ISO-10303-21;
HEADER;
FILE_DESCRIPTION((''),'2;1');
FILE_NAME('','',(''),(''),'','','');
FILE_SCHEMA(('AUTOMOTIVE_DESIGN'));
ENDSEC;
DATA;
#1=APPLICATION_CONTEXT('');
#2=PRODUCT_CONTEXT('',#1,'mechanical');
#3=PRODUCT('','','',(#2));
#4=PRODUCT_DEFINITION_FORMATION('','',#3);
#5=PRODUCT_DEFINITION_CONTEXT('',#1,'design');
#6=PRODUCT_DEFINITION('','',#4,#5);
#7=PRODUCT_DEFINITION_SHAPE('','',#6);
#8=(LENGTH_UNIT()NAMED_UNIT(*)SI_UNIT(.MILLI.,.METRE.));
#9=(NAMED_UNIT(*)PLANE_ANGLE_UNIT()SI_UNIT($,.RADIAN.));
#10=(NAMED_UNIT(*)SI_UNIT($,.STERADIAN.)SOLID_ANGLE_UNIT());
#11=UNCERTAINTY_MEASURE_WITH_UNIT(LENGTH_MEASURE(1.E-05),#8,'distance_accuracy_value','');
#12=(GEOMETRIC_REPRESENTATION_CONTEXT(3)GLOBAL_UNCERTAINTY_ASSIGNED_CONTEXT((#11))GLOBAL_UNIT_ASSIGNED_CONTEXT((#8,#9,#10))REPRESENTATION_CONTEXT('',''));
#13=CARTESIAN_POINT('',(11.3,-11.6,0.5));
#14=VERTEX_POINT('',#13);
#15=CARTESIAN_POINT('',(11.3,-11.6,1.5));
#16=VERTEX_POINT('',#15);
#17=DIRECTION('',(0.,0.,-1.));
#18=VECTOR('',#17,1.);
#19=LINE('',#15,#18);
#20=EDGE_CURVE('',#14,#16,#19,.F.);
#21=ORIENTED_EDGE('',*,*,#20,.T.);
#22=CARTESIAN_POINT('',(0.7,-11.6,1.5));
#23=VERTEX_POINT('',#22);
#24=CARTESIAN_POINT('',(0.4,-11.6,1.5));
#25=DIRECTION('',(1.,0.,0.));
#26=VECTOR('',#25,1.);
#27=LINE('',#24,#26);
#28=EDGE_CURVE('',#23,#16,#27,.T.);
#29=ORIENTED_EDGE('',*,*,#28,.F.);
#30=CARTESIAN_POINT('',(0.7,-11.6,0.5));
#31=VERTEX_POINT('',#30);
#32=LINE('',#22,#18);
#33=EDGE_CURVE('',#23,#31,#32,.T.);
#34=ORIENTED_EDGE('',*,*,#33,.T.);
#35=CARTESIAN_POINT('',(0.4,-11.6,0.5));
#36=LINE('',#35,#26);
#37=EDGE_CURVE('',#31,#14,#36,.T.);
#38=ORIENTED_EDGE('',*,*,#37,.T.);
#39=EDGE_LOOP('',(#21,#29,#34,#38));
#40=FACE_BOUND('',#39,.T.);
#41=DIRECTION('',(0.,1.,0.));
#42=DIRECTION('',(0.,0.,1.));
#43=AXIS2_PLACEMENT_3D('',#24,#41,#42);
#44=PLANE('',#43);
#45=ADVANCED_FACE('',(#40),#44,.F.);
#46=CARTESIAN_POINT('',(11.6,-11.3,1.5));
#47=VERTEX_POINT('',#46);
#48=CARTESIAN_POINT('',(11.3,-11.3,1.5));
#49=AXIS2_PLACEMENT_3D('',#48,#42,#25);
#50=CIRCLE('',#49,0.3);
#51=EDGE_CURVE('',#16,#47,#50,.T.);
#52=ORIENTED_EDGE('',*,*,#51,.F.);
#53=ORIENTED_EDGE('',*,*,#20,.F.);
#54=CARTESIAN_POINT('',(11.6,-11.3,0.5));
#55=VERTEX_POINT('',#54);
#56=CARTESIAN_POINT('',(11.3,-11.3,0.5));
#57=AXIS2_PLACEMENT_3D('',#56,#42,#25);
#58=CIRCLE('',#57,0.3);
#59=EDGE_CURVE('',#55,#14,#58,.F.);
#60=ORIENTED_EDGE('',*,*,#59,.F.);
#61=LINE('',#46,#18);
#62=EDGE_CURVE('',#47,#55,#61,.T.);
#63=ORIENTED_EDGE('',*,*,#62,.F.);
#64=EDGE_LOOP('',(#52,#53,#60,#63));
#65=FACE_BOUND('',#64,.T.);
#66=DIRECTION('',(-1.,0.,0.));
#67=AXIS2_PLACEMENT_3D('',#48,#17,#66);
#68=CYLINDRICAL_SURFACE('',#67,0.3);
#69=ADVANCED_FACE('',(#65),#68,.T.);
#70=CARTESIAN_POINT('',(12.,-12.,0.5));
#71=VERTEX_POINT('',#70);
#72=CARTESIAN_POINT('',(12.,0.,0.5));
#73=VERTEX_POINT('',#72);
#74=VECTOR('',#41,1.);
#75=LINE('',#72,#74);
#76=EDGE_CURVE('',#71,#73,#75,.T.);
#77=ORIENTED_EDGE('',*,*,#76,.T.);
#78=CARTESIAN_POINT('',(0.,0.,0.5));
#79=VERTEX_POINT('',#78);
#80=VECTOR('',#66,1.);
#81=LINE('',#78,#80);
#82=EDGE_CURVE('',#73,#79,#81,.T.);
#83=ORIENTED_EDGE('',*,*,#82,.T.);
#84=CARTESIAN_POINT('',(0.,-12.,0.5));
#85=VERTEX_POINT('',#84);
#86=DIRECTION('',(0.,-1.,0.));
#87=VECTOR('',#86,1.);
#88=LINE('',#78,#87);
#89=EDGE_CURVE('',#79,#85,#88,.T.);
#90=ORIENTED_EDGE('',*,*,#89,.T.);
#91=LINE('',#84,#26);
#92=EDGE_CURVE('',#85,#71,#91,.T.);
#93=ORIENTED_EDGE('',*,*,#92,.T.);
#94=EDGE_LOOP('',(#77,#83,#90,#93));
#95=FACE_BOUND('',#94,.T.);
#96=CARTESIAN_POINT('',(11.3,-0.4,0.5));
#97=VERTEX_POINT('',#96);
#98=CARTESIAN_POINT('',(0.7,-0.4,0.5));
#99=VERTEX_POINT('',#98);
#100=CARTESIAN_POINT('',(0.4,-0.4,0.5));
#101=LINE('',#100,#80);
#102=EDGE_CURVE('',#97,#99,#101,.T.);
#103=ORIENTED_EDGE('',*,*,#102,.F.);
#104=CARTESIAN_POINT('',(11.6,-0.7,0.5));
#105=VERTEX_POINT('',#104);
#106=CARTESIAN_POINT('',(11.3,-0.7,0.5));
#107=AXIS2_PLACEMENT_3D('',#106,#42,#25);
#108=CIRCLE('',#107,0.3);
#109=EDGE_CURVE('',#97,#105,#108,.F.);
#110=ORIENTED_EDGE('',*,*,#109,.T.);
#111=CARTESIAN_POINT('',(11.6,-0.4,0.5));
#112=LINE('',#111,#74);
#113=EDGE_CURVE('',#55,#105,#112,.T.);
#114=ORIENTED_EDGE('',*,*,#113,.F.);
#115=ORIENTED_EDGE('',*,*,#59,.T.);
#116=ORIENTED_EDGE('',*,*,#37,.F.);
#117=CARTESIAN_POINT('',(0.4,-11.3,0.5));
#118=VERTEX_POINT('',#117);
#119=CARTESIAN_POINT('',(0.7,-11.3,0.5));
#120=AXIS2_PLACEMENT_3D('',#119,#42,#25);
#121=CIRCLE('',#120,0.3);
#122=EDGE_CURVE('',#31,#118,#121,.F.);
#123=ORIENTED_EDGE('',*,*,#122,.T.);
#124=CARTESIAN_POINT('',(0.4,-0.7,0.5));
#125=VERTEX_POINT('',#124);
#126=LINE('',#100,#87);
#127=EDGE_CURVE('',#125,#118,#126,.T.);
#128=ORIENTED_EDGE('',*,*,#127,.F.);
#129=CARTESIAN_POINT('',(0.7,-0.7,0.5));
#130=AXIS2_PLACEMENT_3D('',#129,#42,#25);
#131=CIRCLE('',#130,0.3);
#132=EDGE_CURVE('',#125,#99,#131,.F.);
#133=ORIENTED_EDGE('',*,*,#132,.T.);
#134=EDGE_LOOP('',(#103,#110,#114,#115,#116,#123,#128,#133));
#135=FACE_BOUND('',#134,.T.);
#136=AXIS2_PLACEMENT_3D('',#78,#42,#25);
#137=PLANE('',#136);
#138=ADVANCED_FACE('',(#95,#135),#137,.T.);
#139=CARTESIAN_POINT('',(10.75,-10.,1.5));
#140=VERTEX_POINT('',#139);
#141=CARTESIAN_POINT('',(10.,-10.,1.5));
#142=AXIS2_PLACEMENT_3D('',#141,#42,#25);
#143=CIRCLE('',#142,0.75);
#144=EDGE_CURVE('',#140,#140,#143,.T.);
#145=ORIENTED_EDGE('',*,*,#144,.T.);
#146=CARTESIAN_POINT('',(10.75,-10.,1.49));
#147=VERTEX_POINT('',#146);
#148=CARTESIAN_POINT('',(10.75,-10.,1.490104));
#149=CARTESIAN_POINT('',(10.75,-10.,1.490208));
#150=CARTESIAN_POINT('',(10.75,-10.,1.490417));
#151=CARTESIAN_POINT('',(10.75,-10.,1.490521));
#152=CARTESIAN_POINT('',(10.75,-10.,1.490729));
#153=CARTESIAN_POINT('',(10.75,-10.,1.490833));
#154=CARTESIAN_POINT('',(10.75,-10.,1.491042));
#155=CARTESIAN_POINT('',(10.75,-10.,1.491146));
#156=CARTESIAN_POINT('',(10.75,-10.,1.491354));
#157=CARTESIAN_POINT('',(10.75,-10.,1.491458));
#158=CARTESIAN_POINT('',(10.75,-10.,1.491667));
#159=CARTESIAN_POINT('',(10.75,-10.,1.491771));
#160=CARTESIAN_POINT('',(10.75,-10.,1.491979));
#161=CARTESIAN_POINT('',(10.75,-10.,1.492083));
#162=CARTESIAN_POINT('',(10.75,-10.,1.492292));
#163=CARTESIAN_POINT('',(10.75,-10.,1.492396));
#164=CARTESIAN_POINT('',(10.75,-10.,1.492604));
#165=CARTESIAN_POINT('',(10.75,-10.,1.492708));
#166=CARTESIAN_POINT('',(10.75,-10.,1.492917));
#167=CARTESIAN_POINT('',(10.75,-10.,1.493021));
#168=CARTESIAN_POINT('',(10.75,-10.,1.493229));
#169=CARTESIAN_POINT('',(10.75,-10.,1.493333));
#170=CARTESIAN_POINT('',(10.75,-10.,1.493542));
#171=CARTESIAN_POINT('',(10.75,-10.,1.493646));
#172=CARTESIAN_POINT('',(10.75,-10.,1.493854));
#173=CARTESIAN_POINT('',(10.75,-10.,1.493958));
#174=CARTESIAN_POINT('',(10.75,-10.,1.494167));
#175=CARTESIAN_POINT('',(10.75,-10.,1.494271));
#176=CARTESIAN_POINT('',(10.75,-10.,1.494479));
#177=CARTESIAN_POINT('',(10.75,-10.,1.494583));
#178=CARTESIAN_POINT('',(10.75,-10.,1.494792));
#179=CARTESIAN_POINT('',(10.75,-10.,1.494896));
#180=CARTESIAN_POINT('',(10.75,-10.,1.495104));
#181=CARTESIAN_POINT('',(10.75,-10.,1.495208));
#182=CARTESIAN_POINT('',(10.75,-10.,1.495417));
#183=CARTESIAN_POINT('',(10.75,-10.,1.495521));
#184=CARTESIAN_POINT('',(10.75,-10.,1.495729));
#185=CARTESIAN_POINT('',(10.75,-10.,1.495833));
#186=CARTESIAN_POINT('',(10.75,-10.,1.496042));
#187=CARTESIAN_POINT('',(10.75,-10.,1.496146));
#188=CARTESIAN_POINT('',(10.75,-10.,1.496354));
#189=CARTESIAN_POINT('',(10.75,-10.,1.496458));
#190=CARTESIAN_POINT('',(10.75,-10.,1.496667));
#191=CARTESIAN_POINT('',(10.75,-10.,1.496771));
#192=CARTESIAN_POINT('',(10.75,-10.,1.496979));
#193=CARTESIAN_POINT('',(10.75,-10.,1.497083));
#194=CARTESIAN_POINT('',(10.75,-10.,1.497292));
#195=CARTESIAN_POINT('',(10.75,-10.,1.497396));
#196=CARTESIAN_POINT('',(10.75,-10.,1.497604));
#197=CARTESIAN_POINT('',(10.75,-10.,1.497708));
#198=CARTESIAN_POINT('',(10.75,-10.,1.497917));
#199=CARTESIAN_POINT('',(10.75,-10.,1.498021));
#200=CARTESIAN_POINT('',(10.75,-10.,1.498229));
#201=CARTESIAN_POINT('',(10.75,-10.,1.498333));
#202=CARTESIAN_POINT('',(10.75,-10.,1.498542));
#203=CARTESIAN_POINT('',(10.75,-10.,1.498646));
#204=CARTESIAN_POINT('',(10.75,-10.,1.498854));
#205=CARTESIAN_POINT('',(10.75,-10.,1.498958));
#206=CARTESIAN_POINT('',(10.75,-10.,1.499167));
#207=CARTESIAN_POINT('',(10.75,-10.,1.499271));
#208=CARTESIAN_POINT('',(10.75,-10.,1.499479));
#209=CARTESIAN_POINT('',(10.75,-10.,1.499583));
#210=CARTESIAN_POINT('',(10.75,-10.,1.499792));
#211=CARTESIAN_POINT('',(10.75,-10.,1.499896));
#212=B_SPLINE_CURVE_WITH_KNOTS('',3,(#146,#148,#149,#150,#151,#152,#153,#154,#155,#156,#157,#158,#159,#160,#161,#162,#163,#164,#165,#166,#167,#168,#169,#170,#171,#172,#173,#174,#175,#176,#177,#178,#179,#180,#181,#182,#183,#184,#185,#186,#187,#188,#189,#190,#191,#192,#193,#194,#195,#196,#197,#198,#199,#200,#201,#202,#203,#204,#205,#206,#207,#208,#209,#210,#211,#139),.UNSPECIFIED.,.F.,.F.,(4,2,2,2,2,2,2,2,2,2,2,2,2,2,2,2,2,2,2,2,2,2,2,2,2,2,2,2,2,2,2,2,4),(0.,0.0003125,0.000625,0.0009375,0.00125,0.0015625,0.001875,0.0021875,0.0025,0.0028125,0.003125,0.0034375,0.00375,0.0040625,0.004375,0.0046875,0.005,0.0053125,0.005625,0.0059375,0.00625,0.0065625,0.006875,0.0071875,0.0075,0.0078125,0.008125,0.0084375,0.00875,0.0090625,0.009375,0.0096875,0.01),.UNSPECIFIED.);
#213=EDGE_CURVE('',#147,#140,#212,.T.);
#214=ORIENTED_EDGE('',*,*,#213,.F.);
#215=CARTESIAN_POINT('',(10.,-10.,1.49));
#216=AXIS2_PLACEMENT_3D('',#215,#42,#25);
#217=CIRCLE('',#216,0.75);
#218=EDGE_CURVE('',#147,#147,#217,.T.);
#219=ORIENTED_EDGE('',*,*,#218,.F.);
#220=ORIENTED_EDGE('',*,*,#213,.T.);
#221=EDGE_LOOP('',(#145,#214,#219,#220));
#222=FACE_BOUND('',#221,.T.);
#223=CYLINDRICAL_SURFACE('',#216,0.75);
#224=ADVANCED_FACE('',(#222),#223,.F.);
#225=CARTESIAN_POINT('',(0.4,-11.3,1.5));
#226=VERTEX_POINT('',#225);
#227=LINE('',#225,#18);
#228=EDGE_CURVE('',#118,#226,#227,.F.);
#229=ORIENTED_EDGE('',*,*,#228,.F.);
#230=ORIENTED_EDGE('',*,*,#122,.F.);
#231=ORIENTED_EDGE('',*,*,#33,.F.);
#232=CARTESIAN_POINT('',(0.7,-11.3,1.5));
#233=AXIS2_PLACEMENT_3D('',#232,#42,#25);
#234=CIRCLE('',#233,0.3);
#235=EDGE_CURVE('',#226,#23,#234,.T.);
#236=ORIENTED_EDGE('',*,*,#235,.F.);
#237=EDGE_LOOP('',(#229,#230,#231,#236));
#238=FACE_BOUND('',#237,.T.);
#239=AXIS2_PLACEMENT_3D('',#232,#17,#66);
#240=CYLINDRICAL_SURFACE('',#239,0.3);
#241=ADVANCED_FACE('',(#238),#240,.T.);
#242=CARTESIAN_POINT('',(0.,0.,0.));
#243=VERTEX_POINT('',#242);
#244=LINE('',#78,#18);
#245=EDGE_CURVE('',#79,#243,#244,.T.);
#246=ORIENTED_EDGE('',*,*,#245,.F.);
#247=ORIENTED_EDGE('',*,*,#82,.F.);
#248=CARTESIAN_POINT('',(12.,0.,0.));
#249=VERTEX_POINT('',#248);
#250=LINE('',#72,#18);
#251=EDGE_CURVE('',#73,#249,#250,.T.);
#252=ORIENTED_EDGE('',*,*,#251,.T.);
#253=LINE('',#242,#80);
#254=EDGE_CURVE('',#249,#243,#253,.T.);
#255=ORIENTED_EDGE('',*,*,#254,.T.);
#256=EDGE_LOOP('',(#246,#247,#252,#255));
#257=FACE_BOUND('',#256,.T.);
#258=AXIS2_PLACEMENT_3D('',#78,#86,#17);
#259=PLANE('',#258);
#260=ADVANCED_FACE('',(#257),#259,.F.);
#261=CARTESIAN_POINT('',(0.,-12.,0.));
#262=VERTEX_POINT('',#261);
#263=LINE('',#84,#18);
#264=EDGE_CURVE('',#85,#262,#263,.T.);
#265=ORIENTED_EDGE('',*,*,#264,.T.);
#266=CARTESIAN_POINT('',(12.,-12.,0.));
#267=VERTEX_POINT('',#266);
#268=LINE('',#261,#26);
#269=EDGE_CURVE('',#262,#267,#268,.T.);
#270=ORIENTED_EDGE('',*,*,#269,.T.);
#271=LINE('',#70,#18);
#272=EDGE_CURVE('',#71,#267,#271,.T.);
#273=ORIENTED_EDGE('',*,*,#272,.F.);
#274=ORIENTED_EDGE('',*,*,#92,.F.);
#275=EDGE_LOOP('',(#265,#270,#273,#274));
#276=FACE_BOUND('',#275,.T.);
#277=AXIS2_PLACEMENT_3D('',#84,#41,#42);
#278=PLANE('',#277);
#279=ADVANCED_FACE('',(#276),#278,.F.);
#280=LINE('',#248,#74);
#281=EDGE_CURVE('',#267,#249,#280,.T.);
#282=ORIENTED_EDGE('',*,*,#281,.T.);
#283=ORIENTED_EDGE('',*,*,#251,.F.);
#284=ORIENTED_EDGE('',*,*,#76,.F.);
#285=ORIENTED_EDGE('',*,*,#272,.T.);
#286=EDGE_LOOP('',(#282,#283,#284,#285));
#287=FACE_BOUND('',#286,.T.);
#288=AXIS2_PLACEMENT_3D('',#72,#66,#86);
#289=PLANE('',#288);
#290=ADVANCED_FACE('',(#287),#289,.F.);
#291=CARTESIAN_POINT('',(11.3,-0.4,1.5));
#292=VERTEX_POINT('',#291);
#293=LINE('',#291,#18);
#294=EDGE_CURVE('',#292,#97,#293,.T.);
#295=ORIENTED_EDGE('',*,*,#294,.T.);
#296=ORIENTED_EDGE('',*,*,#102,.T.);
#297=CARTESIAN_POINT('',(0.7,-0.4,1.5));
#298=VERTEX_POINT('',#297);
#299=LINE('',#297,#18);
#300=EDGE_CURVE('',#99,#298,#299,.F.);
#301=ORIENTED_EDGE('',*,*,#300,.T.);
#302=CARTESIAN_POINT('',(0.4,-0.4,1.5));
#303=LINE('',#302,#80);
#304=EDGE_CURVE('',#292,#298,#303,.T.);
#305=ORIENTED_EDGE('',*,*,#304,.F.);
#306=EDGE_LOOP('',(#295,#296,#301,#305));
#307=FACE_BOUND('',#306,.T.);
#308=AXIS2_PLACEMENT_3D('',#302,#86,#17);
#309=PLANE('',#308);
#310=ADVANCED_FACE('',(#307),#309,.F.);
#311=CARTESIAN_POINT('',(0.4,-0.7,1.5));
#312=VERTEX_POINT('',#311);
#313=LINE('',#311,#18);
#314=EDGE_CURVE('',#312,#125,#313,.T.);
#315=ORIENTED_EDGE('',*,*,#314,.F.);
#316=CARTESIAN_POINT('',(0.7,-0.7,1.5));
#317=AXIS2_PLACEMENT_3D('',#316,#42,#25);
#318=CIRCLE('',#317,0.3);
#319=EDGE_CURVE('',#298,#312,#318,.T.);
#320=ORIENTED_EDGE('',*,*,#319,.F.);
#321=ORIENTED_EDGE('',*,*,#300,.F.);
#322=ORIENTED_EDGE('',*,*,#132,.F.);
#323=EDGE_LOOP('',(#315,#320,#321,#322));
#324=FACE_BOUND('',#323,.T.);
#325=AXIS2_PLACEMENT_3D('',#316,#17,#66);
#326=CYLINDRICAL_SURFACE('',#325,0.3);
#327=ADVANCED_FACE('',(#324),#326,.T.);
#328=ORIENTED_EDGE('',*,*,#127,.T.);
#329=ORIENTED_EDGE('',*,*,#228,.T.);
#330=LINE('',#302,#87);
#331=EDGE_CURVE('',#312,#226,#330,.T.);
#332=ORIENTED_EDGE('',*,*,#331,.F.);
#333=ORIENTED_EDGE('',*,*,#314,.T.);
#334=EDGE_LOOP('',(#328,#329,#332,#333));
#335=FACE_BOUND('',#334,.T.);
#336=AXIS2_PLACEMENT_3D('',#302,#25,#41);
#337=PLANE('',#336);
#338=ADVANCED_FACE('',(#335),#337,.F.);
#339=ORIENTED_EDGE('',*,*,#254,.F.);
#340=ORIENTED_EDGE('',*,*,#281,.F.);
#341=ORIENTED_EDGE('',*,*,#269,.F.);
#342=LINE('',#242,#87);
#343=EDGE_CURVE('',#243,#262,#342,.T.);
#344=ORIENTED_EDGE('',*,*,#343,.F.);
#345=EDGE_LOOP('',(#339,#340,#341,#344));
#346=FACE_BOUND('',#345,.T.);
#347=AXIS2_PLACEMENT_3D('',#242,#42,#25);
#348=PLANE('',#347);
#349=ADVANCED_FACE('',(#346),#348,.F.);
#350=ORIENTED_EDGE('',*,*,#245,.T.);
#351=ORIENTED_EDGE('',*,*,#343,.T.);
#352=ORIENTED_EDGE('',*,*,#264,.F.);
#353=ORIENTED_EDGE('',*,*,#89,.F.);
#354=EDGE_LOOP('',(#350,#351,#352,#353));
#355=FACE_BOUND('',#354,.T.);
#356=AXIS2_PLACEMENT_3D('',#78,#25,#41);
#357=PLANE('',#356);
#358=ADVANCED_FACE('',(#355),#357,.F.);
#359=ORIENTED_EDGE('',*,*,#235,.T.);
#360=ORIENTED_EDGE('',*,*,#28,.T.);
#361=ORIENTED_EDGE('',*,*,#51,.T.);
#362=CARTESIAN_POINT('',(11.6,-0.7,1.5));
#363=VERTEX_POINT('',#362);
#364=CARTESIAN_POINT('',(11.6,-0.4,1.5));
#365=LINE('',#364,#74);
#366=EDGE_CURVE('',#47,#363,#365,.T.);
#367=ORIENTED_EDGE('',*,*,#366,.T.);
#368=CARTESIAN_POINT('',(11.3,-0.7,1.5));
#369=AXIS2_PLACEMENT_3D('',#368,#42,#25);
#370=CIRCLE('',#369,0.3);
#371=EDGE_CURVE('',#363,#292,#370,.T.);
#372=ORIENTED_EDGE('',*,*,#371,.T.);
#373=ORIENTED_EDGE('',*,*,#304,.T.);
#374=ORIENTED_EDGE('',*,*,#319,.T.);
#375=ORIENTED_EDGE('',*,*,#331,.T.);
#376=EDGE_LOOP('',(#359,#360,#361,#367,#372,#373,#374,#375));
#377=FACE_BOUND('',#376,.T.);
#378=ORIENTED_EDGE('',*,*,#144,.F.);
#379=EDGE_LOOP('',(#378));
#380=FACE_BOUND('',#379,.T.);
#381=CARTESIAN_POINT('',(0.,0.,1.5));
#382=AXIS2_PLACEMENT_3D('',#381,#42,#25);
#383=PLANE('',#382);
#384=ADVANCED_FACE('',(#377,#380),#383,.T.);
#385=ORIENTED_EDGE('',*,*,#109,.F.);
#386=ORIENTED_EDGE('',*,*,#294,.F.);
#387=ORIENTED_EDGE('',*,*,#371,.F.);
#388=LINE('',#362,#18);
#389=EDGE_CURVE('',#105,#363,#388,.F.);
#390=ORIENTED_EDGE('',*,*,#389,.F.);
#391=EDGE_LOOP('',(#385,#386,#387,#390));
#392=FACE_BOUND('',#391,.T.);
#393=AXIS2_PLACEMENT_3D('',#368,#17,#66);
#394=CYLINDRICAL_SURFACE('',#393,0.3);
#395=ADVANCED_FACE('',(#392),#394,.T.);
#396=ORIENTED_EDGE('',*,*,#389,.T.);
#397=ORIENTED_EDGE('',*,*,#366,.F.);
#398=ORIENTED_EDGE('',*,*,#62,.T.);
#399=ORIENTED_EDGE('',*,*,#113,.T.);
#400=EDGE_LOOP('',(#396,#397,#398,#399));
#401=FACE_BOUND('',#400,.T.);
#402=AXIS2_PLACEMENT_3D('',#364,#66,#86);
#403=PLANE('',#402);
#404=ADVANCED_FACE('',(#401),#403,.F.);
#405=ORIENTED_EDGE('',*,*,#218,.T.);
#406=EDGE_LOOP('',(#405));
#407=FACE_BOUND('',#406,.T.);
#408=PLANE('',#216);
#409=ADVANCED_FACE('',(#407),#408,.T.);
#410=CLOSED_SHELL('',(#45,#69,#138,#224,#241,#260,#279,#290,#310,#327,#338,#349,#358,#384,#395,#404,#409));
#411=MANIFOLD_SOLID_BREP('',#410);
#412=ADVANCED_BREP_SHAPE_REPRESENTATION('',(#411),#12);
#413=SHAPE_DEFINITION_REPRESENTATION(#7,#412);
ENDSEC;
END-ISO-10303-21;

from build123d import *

# Parameters (mm, degrees)
ESQUISSE1_W             = 12
ESQUISSE1_H             = 12
BOSS_EXTRU_1_DEPTH      = 0.5
ESQUISSE2_W             = 11.2
ESQUISSE2_H             = 11.2
BOSS_EXTRU_2_DEPTH      = 1
CONG_1_R                = 0.3
ESQUISSE3_R             = 0.75
ENL_V_MAT_EXTRU_1_DEPTH = 0.01


with BuildPart() as part:
    # Esquisse1 → Boss.-Extru.1 (new body)
    with BuildSketch(Plane.XY):
        with Locations((6, -6)):
            Rectangle(ESQUISSE1_W, ESQUISSE1_H)
    extrude(amount=BOSS_EXTRU_1_DEPTH)

    # Esquisse2 → Boss.-Extru.2 (add)
    with BuildSketch(Plane.XY.offset(0.5)):
        with Locations((6, -6)):
            Rectangle(ESQUISSE2_W, ESQUISSE2_H)
    extrude(amount=BOSS_EXTRU_2_DEPTH)

    # Congé1
    cong_1_edges = [part.edges().sort_by_distance(p)[0] for p in [
        (0.4, -0.4, 1),
        (0.4, -11.6, 1),
        (11.6, -11.6, 1),
        (11.6, -0.4, 1),
    ]]
    fillet(cong_1_edges, radius=CONG_1_R)

    # Esquisse3 → Enlèv. mat.-Extru.1 (cut)
    with BuildSketch(Plane.XY.offset(1.5)):
        with Locations((10, -10)):
            Circle(ESQUISSE3_R)
    extrude(amount=-ENL_V_MAT_EXTRU_1_DEPTH, mode=Mode.SUBTRACT)


solid = part.part
